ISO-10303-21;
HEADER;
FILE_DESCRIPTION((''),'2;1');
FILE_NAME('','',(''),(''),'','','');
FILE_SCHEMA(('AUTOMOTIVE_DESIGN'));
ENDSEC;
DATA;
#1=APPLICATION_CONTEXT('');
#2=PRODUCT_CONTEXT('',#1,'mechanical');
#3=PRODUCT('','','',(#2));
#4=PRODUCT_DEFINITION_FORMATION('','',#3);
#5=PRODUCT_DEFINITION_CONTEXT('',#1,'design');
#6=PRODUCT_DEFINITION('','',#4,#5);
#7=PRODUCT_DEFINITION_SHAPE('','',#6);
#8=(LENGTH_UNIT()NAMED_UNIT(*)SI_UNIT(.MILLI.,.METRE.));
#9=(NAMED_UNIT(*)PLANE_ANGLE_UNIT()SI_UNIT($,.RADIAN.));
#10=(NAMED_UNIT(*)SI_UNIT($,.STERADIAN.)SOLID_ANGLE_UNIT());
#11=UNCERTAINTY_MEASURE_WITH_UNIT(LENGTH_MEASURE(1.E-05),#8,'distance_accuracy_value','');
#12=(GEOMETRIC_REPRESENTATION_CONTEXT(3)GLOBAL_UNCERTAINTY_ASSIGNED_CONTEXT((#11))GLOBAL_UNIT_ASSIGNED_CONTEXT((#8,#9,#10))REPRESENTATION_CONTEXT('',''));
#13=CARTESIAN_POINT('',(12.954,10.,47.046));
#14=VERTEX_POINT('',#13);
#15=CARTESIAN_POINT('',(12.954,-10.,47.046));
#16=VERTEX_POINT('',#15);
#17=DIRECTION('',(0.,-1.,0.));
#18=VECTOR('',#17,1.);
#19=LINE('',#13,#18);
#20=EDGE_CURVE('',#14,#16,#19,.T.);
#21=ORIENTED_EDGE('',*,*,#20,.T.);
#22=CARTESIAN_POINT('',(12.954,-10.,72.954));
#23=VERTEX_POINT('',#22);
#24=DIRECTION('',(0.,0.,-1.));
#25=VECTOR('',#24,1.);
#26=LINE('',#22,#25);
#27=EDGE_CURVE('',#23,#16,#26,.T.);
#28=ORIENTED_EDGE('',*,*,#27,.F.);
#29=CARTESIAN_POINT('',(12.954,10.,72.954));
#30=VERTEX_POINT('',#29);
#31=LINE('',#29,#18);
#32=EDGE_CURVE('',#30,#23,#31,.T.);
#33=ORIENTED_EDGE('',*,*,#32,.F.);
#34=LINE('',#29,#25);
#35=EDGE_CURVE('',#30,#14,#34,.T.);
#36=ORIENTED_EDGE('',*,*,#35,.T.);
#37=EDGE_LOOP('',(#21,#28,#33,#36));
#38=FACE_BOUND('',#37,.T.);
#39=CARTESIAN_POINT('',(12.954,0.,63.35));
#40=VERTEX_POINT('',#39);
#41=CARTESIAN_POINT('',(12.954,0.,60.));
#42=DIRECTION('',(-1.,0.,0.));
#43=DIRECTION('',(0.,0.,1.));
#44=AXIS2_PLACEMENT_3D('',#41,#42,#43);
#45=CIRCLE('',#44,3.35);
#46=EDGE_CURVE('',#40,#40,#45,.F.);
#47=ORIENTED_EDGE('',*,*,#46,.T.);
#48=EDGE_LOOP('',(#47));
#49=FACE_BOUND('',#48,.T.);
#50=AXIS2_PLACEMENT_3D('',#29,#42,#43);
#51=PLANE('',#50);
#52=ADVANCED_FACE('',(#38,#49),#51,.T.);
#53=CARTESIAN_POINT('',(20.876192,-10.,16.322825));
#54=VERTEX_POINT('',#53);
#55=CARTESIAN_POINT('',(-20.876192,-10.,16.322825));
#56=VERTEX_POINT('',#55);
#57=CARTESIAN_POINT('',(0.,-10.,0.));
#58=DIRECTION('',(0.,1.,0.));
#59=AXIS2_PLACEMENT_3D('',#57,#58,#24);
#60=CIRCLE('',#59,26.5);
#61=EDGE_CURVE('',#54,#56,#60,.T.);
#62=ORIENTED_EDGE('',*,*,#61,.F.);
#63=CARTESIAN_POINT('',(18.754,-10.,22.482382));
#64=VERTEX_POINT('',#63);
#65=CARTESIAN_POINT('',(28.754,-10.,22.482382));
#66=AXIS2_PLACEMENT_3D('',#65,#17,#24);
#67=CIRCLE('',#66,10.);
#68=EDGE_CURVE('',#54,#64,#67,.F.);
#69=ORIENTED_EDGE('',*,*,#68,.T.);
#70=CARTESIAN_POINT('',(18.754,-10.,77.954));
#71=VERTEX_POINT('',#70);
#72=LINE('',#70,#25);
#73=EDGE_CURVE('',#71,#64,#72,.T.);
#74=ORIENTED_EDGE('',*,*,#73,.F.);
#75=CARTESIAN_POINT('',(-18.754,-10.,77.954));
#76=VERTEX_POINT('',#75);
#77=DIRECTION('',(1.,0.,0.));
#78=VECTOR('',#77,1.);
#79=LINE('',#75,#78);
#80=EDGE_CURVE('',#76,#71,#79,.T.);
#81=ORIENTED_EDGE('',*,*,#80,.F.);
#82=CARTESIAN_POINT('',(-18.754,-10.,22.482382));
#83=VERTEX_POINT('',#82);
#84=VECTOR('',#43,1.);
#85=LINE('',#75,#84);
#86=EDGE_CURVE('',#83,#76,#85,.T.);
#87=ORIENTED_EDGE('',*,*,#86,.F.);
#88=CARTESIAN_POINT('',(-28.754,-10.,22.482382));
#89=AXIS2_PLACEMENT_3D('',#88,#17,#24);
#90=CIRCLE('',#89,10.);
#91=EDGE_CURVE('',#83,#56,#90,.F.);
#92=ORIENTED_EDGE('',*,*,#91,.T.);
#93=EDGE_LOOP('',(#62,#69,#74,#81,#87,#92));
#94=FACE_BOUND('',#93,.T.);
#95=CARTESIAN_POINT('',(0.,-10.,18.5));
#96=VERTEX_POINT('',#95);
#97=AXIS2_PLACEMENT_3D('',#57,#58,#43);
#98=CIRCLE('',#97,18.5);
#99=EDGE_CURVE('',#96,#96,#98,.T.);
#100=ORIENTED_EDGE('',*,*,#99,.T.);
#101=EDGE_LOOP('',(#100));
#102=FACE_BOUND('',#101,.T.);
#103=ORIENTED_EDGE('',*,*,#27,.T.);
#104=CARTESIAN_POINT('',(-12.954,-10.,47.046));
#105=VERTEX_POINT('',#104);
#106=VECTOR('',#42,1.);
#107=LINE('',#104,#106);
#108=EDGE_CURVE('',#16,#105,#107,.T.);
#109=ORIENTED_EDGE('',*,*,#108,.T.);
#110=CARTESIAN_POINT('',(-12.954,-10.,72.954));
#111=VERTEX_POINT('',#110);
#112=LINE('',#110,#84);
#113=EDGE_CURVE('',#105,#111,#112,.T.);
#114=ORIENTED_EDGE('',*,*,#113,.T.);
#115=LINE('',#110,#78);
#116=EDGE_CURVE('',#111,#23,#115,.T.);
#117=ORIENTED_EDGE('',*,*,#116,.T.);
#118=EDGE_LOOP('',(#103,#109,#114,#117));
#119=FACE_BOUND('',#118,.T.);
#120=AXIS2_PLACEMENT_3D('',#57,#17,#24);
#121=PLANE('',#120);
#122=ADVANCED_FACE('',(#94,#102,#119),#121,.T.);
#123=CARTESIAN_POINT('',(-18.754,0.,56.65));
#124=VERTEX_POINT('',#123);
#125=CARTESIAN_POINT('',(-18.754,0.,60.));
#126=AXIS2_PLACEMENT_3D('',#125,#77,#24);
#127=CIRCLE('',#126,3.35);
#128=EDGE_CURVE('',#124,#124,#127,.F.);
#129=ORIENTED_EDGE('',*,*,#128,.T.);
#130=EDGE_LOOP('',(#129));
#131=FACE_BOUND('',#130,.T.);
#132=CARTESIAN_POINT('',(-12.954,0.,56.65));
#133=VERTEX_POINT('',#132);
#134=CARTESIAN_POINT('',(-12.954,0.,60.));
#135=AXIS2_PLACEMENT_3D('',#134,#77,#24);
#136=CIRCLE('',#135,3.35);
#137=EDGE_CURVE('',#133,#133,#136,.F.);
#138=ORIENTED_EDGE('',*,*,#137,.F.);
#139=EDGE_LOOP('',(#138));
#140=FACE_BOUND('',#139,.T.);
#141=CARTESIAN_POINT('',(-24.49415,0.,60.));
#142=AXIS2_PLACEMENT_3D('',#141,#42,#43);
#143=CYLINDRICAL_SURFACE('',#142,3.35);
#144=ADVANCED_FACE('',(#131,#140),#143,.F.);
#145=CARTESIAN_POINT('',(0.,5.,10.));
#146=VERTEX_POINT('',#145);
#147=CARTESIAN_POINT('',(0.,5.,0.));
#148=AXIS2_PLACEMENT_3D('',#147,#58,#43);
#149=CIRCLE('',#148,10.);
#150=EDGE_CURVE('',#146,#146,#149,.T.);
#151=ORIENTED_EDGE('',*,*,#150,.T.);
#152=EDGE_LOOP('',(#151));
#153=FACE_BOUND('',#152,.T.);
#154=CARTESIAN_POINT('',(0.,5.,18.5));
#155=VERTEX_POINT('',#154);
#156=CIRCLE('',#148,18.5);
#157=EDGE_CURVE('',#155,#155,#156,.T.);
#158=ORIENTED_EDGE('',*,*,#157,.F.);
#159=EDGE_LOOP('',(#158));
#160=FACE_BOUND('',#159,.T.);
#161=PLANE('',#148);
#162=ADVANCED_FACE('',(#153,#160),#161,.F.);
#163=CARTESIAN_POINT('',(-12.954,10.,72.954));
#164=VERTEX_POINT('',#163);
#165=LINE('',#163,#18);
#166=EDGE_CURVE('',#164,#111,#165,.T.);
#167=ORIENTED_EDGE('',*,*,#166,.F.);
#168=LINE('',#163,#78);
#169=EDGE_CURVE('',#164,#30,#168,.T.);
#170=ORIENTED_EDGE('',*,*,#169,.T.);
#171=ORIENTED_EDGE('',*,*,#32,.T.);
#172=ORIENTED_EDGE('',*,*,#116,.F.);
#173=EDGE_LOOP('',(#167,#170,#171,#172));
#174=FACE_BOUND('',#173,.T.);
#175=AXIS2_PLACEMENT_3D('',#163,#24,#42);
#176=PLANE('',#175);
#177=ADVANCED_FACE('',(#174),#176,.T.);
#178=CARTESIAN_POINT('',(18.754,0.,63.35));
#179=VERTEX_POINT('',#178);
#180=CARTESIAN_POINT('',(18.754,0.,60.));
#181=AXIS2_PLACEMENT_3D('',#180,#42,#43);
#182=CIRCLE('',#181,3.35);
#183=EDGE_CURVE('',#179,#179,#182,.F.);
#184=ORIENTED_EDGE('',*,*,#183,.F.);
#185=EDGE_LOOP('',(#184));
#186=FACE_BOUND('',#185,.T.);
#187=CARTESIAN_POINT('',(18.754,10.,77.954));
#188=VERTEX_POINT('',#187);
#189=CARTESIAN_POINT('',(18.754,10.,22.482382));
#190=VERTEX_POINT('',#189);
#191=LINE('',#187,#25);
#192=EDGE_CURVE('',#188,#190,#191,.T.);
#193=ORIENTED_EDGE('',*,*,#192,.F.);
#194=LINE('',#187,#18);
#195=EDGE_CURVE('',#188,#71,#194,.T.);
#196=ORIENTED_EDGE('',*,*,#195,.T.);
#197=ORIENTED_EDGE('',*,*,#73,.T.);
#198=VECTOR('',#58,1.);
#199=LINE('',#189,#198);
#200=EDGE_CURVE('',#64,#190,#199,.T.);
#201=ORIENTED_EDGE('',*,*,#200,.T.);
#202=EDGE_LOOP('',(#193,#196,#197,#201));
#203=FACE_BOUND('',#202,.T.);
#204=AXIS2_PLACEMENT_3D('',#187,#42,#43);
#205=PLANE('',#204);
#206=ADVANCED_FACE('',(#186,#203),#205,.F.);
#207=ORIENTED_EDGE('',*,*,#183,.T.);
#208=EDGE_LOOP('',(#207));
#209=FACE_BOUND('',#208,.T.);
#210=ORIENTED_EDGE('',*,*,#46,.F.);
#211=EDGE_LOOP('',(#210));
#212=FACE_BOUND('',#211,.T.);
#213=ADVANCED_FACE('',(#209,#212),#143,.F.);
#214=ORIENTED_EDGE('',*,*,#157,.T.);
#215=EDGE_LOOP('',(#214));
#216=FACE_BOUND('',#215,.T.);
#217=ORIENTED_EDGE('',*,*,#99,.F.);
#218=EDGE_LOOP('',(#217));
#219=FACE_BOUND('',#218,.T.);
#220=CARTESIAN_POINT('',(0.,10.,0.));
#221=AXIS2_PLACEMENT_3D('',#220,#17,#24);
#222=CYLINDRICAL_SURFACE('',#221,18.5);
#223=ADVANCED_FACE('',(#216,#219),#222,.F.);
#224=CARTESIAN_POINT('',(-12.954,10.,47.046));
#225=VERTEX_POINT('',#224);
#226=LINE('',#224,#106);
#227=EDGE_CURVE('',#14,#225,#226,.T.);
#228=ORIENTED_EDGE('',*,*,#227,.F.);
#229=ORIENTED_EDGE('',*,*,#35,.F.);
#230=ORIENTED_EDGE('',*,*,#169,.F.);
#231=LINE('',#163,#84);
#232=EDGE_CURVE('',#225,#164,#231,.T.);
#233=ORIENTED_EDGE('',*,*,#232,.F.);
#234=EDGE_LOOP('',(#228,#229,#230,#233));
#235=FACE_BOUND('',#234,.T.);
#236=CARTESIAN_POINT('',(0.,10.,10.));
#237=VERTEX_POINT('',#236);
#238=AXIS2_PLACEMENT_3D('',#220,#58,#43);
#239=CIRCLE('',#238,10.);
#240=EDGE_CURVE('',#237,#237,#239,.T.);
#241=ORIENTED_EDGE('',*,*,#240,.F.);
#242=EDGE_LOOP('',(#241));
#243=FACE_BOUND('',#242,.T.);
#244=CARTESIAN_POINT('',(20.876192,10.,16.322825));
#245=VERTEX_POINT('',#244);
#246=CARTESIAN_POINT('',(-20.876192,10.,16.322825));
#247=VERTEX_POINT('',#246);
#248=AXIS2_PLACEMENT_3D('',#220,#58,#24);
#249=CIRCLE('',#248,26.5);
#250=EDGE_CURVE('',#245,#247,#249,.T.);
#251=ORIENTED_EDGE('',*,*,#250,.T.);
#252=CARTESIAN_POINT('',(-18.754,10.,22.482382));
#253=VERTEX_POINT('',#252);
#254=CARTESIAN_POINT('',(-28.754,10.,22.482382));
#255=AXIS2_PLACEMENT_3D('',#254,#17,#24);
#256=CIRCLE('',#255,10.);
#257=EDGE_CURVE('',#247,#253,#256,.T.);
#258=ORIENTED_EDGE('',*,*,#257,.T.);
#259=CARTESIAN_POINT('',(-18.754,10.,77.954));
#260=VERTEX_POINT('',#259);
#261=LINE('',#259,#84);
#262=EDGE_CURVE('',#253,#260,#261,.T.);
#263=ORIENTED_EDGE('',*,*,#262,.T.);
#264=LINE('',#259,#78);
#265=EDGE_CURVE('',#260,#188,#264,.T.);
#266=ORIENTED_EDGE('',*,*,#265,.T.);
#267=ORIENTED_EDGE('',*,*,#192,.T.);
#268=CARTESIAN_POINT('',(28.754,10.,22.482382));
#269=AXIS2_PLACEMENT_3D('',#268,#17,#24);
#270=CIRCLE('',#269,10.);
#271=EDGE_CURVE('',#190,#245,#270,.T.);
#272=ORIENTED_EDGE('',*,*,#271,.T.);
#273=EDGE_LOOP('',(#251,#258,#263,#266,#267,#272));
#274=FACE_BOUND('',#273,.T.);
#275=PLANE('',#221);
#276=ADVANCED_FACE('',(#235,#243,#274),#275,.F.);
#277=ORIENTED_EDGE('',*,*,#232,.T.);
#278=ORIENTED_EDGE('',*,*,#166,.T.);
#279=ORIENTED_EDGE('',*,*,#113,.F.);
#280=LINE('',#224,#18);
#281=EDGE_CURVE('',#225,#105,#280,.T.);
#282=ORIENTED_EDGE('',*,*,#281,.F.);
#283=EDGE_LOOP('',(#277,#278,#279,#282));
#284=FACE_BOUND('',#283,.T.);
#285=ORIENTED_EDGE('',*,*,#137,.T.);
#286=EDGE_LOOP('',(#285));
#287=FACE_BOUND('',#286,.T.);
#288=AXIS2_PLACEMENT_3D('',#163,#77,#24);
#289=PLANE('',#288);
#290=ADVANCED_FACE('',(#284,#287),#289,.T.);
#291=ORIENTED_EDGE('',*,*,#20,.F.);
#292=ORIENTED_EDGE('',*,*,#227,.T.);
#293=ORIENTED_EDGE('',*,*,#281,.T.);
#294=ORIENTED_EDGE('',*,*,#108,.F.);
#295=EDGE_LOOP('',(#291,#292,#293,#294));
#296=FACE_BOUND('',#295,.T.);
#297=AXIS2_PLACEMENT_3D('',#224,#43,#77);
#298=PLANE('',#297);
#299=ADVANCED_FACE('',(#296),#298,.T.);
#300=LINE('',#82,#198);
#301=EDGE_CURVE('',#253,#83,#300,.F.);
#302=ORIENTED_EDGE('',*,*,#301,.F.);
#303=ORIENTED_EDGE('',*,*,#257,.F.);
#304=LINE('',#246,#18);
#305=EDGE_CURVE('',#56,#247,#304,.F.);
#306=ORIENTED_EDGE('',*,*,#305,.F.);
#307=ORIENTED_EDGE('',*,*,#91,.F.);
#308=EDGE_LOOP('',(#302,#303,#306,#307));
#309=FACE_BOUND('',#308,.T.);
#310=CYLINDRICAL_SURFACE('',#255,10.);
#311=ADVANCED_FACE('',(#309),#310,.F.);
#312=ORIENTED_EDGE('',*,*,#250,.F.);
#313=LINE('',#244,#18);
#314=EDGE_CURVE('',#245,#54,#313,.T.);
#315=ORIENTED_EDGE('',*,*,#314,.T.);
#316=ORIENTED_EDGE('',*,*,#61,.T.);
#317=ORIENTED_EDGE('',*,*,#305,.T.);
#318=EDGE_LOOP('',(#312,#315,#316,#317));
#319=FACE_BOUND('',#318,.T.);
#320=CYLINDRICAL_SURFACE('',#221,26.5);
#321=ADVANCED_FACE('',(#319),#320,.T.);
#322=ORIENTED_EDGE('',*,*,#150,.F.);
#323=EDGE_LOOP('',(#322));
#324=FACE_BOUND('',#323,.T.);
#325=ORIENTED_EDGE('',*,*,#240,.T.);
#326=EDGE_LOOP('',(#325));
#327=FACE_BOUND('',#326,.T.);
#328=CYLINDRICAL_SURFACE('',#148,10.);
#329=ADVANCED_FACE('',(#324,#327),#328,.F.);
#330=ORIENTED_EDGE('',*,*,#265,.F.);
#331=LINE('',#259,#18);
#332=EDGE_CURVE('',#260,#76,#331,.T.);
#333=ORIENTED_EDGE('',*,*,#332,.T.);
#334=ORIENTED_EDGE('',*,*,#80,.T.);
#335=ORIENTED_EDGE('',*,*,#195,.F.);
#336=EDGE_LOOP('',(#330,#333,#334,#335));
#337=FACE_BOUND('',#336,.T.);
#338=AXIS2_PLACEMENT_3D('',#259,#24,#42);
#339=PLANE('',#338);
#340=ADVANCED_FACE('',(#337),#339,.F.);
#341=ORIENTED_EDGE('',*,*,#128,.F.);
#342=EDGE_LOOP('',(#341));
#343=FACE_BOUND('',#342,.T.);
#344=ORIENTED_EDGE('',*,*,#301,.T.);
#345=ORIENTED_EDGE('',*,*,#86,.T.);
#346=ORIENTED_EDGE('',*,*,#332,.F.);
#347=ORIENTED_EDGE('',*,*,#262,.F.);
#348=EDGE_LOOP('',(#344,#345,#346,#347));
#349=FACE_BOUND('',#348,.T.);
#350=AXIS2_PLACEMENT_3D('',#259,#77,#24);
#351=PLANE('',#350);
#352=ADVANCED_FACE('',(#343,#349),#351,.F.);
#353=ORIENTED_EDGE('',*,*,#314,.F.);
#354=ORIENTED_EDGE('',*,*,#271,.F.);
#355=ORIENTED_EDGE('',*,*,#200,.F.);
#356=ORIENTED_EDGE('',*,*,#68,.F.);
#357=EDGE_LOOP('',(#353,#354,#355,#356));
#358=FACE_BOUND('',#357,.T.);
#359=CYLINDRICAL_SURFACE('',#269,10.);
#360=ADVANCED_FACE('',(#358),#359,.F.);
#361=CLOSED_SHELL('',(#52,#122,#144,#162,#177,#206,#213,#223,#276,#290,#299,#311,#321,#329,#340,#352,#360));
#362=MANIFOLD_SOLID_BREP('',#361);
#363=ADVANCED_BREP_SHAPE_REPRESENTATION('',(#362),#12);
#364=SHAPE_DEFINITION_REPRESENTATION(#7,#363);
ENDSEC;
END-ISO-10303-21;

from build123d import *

# Parameters (mm, degrees)
SKETCH1_R           = 18.5
SKETCH1_W           = 25.908
SKETCH1_H           = 25.908
BOSS_EXTRUDE1_DEPTH = 10
SKETCH2_R           = 26.5
SKETCH2_R_2         = 10
BOSS_EXTRUDE2_DEPTH = 5
SKETCH3_W           = 42.310591005
SKETCH3_H           = 3.35
FILLET1_R           = 10


with BuildPart() as part:
    # Sketch1 → Boss-Extrude1 (new, symmetric)
    with BuildSketch(Plane(origin=(0, 0, 0), x_dir=(1, 0, 0), z_dir=(0, 1, 0))):
        with BuildLine():
            Line((-18.754, -77.954), (18.754, -77.954))
            Line((18.754, -77.954), (18.754, -18.722646287))
            ThreePointArc((18.754, -18.722646287), (0, 26.5), (-18.754, -18.722646287))
            Line((-18.754, -18.722646287), (-18.754, -77.954))
        make_face()
        with Locations(Location((0, 0, 0), (0, 0, 270))):
            Circle(SKETCH1_R, mode=Mode.SUBTRACT)
        with Locations((0, -60)):
            Rectangle(SKETCH1_W, SKETCH1_H, mode=Mode.SUBTRACT)
    extrude(amount=BOSS_EXTRUDE1_DEPTH, both=True)

    # Sketch2 → Boss-Extrude2 (add)
    with BuildSketch(Plane(origin=(0, 10, 0), x_dir=(1, 0, 0), z_dir=(0, 1, 0))):
        Circle(SKETCH2_R)
        with Locations(Location((0, 0, 0), (0, 0, 270))):
            Circle(SKETCH2_R_2, mode=Mode.SUBTRACT)
    extrude(amount=-BOSS_EXTRUDE2_DEPTH)

    # Sketch3 → Cut-Revolve1 (revolve, cut)
    with BuildSketch(Plane(origin=(0, 0, 0), x_dir=(1, 0, 0), z_dir=(0, 1, 0))):
        with Locations((0.530790347, -58.325)):
            Rectangle(SKETCH3_W, SKETCH3_H)
    revolve(axis=Axis((-24.494150326, 0, 60), (1, 0, 0)), mode=Mode.SUBTRACT)

    # Fillet1
    fillet1_edges = [part.edges().sort_by_distance(p)[0] for p in [
        (18.754, 0, 18.722646287),
        (-18.754, 0, 18.722646287),
    ]]
    fillet(fillet1_edges, radius=FILLET1_R)


solid = part.part
